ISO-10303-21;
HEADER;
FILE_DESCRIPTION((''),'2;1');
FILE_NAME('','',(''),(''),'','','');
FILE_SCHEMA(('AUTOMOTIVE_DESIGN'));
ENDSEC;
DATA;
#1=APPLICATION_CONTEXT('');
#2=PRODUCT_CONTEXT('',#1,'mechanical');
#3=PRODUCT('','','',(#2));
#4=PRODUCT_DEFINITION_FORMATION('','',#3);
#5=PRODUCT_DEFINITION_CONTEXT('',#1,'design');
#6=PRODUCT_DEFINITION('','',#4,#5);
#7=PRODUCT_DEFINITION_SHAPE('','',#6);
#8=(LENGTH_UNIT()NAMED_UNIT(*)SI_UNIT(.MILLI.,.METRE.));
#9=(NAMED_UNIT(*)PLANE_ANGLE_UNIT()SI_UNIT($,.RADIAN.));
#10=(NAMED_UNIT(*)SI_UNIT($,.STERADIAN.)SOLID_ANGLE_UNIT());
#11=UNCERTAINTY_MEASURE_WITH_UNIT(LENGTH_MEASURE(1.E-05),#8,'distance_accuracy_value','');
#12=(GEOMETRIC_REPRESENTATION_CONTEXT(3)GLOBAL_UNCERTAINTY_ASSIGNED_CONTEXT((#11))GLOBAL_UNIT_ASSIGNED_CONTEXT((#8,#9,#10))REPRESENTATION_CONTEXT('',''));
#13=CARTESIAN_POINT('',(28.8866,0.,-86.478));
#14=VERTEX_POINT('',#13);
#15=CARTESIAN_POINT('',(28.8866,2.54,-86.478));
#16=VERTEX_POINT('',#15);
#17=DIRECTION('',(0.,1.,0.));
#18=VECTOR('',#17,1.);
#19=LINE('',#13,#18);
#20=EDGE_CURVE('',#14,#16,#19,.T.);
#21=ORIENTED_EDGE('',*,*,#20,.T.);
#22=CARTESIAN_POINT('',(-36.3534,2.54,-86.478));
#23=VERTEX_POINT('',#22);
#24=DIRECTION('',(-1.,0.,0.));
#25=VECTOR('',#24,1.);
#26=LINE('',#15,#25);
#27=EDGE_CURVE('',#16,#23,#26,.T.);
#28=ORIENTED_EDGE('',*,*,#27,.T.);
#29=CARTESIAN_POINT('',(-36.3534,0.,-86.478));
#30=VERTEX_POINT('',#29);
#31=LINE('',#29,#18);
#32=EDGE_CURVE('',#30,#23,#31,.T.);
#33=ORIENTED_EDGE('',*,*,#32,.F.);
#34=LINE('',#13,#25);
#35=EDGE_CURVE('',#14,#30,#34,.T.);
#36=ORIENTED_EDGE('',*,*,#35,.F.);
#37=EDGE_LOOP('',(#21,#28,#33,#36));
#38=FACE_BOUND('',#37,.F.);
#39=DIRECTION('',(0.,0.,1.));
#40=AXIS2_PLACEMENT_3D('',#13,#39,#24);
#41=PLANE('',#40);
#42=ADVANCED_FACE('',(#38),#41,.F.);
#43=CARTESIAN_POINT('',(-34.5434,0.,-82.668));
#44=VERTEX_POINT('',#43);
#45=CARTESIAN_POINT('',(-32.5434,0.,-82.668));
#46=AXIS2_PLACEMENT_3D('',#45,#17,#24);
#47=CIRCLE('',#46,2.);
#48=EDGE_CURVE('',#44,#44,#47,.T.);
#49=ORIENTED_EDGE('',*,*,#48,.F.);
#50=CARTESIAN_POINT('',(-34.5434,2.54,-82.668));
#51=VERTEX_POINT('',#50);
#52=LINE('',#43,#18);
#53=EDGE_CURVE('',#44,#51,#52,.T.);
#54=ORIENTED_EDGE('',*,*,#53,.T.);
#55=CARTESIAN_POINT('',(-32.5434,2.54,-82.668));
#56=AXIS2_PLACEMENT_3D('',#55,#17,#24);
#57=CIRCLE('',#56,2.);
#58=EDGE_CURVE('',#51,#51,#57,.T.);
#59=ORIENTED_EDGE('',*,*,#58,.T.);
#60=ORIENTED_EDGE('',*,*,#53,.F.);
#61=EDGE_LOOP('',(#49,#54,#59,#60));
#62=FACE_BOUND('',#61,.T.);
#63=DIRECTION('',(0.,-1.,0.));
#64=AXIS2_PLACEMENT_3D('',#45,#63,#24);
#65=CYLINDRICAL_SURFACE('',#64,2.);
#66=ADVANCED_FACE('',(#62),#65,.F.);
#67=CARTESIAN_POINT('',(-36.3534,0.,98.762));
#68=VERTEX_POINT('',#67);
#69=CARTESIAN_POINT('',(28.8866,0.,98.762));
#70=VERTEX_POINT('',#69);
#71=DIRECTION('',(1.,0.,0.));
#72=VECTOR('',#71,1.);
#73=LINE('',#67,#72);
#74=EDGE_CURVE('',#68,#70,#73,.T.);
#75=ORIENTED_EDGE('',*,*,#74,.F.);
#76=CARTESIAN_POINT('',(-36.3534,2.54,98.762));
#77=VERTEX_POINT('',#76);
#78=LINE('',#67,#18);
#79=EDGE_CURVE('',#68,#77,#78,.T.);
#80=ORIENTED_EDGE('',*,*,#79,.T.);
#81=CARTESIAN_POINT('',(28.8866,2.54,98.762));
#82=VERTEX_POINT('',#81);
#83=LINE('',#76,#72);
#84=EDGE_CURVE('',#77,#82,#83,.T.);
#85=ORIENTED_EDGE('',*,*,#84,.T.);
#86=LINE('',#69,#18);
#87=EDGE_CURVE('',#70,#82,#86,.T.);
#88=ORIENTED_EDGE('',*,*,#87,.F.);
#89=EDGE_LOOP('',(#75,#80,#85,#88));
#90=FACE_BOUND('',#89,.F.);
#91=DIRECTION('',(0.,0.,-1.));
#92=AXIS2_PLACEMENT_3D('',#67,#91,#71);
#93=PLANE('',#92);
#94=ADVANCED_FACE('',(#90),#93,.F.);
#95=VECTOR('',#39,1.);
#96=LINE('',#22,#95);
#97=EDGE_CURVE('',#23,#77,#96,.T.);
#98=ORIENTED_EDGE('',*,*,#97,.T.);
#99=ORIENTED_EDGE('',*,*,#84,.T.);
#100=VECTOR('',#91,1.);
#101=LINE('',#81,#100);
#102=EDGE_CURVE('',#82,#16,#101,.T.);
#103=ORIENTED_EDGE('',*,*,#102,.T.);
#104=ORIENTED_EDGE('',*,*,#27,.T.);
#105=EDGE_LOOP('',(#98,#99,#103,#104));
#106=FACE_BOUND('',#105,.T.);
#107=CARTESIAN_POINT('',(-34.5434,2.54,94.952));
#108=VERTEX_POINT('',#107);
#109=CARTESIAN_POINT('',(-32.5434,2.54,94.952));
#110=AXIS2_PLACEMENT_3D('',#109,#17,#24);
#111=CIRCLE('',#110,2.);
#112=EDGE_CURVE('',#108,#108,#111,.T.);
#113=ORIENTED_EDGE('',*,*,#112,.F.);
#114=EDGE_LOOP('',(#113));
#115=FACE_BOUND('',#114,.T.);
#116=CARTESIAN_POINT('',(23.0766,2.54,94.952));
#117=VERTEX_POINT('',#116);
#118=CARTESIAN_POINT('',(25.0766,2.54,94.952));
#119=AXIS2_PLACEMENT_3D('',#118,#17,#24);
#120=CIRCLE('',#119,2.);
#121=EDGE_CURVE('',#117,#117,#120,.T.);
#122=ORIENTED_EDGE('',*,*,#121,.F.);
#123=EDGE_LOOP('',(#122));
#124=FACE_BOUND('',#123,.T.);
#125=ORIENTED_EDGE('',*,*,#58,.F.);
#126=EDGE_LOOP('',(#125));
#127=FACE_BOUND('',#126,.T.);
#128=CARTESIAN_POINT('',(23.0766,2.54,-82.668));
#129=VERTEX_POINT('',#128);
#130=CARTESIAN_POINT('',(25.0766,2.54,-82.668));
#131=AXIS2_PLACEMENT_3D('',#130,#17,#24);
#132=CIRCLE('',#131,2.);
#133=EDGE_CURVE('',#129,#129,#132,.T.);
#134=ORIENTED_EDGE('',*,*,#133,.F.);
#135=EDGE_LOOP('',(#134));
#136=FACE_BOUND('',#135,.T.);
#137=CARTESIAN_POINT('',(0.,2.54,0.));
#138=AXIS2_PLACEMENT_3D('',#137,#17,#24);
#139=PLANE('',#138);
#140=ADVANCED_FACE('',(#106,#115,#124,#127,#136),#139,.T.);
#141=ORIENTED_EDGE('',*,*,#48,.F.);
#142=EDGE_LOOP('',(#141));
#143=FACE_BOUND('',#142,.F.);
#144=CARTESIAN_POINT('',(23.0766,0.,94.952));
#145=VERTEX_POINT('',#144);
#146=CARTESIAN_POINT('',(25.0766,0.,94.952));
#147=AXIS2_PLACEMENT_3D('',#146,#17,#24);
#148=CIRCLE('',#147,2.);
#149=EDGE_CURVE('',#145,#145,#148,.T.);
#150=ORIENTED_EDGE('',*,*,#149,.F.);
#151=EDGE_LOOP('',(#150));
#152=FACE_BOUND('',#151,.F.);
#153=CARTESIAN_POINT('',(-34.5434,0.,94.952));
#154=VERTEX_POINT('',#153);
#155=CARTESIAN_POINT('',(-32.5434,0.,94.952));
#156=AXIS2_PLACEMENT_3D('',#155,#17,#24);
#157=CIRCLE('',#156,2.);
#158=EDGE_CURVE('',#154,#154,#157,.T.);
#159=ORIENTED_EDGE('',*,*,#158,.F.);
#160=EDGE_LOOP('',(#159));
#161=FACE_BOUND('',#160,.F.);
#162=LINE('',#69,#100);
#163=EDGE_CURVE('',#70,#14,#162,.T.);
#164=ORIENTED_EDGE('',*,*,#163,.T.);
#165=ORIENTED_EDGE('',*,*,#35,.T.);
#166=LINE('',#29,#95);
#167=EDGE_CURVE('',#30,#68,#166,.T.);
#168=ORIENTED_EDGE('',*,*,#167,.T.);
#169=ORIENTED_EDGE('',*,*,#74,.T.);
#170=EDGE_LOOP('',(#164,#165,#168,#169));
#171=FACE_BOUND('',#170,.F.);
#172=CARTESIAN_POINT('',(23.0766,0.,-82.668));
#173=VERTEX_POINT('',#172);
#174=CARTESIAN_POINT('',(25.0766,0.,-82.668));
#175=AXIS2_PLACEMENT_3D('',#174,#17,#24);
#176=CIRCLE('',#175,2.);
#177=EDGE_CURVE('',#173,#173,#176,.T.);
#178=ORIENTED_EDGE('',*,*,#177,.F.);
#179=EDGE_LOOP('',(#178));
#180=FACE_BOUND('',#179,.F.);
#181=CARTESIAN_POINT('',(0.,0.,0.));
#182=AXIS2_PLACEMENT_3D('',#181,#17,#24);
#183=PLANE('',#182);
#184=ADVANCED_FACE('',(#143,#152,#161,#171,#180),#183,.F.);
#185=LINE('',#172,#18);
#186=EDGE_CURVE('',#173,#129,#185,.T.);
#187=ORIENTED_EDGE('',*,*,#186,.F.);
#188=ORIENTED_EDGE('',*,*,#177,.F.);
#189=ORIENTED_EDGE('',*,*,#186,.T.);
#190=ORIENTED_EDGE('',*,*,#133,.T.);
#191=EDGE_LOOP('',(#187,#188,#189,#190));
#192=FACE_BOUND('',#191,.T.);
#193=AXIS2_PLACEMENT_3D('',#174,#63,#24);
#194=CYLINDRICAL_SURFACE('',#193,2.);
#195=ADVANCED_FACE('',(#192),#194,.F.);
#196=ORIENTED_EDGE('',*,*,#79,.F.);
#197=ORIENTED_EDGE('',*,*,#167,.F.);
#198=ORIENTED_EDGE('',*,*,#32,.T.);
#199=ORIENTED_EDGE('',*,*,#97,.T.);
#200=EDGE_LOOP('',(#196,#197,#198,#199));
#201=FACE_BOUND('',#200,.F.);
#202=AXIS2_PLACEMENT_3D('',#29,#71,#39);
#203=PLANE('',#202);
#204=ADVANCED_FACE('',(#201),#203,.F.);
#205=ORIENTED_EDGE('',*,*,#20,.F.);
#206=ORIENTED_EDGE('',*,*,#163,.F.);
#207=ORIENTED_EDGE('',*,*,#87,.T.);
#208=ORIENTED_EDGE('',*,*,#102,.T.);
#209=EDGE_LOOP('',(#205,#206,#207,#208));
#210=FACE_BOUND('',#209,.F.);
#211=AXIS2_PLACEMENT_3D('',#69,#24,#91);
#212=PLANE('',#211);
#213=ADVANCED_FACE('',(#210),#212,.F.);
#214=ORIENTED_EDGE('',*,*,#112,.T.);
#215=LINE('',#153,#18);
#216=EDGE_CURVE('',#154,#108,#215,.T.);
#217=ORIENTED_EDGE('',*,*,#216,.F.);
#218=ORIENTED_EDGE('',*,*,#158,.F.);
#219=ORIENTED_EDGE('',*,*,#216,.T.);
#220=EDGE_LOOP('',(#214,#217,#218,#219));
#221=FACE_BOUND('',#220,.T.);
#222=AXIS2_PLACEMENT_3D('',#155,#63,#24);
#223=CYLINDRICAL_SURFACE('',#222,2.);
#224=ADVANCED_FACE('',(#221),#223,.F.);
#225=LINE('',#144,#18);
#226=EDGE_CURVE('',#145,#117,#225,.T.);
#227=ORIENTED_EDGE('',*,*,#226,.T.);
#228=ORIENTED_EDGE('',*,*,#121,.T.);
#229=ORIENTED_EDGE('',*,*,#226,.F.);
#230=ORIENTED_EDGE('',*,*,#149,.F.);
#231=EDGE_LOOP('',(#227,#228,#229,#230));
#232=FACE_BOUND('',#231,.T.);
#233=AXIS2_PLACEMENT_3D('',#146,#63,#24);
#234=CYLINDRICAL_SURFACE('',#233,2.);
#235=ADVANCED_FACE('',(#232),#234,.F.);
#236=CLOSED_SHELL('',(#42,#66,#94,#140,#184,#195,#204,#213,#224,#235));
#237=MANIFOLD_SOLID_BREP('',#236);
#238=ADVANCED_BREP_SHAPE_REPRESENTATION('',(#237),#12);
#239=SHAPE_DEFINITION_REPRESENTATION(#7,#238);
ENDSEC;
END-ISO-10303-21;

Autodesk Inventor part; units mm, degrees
ref_plane "YZ Plane" through (0, 0, 0) normal (1, 0, 0) x (0, 1, 0)
ref_plane "XZ Plane" through (0, 0, 0) normal (0, 1, 0) x (-1, 0, 0)
ref_plane "XY Plane" through (0, 0, 0) normal (0, 0, 1) x (1, 0, 0)
sketch "Sketch1" plane through (0, 0, 0) normal (0, 1, 0) x (-1, 0, 0)
  line L0 (28.7334, 91.142) -> (-21.2666, 91.142)
  line L1 (-21.2666, 91.142) -> (-21.2666, -78.858)
  line L2 (-21.2666, -78.858) -> (28.7334, -78.858)
  line L3 (28.7334, -78.858) -> (28.7334, 91.142)
  line L4 (36.3534, 98.762) -> (-28.8866, 98.762)
  line L5 (-28.8866, 98.762) -> (-28.8866, -86.478)
  line L6 (-28.8866, -86.478) -> (36.3534, -86.478)
  line L7 (36.3534, -86.478) -> (36.3534, 98.762)
  circle A0 centre (32.5434, 94.952) radius 2
  circle A1 centre (-25.0766, 94.952) radius 2
  circle A2 centre (-25.0766, -82.668) radius 2
  circle A3 centre (32.5434, -82.668) radius 2
  dimension "d0" = 170
  dimension "d1" = 7.62
  dimension "d9" = 50
  dimension "d34" = 3.81
  dimension "d35" = 3.81
  dimension "d36" = 4
  dimension "d37" = 3.81
  dimension "d38" = 3.81
  dimension "d39" = 4
  dimension "d40" = 3.81
  dimension "d41" = 3.81
  dimension "d42" = 4
  dimension "d43" = 3.81
  dimension "d44" = 3.81
  dimension "d45" = 4
  dimension "d48" = 185.24
extrude "Extrusion1" add sketch "Sketch1" along normal blind 2.54 contours L3 L2 L1 L0 | L7 L6 L5 L4
properties part number "Cover"
